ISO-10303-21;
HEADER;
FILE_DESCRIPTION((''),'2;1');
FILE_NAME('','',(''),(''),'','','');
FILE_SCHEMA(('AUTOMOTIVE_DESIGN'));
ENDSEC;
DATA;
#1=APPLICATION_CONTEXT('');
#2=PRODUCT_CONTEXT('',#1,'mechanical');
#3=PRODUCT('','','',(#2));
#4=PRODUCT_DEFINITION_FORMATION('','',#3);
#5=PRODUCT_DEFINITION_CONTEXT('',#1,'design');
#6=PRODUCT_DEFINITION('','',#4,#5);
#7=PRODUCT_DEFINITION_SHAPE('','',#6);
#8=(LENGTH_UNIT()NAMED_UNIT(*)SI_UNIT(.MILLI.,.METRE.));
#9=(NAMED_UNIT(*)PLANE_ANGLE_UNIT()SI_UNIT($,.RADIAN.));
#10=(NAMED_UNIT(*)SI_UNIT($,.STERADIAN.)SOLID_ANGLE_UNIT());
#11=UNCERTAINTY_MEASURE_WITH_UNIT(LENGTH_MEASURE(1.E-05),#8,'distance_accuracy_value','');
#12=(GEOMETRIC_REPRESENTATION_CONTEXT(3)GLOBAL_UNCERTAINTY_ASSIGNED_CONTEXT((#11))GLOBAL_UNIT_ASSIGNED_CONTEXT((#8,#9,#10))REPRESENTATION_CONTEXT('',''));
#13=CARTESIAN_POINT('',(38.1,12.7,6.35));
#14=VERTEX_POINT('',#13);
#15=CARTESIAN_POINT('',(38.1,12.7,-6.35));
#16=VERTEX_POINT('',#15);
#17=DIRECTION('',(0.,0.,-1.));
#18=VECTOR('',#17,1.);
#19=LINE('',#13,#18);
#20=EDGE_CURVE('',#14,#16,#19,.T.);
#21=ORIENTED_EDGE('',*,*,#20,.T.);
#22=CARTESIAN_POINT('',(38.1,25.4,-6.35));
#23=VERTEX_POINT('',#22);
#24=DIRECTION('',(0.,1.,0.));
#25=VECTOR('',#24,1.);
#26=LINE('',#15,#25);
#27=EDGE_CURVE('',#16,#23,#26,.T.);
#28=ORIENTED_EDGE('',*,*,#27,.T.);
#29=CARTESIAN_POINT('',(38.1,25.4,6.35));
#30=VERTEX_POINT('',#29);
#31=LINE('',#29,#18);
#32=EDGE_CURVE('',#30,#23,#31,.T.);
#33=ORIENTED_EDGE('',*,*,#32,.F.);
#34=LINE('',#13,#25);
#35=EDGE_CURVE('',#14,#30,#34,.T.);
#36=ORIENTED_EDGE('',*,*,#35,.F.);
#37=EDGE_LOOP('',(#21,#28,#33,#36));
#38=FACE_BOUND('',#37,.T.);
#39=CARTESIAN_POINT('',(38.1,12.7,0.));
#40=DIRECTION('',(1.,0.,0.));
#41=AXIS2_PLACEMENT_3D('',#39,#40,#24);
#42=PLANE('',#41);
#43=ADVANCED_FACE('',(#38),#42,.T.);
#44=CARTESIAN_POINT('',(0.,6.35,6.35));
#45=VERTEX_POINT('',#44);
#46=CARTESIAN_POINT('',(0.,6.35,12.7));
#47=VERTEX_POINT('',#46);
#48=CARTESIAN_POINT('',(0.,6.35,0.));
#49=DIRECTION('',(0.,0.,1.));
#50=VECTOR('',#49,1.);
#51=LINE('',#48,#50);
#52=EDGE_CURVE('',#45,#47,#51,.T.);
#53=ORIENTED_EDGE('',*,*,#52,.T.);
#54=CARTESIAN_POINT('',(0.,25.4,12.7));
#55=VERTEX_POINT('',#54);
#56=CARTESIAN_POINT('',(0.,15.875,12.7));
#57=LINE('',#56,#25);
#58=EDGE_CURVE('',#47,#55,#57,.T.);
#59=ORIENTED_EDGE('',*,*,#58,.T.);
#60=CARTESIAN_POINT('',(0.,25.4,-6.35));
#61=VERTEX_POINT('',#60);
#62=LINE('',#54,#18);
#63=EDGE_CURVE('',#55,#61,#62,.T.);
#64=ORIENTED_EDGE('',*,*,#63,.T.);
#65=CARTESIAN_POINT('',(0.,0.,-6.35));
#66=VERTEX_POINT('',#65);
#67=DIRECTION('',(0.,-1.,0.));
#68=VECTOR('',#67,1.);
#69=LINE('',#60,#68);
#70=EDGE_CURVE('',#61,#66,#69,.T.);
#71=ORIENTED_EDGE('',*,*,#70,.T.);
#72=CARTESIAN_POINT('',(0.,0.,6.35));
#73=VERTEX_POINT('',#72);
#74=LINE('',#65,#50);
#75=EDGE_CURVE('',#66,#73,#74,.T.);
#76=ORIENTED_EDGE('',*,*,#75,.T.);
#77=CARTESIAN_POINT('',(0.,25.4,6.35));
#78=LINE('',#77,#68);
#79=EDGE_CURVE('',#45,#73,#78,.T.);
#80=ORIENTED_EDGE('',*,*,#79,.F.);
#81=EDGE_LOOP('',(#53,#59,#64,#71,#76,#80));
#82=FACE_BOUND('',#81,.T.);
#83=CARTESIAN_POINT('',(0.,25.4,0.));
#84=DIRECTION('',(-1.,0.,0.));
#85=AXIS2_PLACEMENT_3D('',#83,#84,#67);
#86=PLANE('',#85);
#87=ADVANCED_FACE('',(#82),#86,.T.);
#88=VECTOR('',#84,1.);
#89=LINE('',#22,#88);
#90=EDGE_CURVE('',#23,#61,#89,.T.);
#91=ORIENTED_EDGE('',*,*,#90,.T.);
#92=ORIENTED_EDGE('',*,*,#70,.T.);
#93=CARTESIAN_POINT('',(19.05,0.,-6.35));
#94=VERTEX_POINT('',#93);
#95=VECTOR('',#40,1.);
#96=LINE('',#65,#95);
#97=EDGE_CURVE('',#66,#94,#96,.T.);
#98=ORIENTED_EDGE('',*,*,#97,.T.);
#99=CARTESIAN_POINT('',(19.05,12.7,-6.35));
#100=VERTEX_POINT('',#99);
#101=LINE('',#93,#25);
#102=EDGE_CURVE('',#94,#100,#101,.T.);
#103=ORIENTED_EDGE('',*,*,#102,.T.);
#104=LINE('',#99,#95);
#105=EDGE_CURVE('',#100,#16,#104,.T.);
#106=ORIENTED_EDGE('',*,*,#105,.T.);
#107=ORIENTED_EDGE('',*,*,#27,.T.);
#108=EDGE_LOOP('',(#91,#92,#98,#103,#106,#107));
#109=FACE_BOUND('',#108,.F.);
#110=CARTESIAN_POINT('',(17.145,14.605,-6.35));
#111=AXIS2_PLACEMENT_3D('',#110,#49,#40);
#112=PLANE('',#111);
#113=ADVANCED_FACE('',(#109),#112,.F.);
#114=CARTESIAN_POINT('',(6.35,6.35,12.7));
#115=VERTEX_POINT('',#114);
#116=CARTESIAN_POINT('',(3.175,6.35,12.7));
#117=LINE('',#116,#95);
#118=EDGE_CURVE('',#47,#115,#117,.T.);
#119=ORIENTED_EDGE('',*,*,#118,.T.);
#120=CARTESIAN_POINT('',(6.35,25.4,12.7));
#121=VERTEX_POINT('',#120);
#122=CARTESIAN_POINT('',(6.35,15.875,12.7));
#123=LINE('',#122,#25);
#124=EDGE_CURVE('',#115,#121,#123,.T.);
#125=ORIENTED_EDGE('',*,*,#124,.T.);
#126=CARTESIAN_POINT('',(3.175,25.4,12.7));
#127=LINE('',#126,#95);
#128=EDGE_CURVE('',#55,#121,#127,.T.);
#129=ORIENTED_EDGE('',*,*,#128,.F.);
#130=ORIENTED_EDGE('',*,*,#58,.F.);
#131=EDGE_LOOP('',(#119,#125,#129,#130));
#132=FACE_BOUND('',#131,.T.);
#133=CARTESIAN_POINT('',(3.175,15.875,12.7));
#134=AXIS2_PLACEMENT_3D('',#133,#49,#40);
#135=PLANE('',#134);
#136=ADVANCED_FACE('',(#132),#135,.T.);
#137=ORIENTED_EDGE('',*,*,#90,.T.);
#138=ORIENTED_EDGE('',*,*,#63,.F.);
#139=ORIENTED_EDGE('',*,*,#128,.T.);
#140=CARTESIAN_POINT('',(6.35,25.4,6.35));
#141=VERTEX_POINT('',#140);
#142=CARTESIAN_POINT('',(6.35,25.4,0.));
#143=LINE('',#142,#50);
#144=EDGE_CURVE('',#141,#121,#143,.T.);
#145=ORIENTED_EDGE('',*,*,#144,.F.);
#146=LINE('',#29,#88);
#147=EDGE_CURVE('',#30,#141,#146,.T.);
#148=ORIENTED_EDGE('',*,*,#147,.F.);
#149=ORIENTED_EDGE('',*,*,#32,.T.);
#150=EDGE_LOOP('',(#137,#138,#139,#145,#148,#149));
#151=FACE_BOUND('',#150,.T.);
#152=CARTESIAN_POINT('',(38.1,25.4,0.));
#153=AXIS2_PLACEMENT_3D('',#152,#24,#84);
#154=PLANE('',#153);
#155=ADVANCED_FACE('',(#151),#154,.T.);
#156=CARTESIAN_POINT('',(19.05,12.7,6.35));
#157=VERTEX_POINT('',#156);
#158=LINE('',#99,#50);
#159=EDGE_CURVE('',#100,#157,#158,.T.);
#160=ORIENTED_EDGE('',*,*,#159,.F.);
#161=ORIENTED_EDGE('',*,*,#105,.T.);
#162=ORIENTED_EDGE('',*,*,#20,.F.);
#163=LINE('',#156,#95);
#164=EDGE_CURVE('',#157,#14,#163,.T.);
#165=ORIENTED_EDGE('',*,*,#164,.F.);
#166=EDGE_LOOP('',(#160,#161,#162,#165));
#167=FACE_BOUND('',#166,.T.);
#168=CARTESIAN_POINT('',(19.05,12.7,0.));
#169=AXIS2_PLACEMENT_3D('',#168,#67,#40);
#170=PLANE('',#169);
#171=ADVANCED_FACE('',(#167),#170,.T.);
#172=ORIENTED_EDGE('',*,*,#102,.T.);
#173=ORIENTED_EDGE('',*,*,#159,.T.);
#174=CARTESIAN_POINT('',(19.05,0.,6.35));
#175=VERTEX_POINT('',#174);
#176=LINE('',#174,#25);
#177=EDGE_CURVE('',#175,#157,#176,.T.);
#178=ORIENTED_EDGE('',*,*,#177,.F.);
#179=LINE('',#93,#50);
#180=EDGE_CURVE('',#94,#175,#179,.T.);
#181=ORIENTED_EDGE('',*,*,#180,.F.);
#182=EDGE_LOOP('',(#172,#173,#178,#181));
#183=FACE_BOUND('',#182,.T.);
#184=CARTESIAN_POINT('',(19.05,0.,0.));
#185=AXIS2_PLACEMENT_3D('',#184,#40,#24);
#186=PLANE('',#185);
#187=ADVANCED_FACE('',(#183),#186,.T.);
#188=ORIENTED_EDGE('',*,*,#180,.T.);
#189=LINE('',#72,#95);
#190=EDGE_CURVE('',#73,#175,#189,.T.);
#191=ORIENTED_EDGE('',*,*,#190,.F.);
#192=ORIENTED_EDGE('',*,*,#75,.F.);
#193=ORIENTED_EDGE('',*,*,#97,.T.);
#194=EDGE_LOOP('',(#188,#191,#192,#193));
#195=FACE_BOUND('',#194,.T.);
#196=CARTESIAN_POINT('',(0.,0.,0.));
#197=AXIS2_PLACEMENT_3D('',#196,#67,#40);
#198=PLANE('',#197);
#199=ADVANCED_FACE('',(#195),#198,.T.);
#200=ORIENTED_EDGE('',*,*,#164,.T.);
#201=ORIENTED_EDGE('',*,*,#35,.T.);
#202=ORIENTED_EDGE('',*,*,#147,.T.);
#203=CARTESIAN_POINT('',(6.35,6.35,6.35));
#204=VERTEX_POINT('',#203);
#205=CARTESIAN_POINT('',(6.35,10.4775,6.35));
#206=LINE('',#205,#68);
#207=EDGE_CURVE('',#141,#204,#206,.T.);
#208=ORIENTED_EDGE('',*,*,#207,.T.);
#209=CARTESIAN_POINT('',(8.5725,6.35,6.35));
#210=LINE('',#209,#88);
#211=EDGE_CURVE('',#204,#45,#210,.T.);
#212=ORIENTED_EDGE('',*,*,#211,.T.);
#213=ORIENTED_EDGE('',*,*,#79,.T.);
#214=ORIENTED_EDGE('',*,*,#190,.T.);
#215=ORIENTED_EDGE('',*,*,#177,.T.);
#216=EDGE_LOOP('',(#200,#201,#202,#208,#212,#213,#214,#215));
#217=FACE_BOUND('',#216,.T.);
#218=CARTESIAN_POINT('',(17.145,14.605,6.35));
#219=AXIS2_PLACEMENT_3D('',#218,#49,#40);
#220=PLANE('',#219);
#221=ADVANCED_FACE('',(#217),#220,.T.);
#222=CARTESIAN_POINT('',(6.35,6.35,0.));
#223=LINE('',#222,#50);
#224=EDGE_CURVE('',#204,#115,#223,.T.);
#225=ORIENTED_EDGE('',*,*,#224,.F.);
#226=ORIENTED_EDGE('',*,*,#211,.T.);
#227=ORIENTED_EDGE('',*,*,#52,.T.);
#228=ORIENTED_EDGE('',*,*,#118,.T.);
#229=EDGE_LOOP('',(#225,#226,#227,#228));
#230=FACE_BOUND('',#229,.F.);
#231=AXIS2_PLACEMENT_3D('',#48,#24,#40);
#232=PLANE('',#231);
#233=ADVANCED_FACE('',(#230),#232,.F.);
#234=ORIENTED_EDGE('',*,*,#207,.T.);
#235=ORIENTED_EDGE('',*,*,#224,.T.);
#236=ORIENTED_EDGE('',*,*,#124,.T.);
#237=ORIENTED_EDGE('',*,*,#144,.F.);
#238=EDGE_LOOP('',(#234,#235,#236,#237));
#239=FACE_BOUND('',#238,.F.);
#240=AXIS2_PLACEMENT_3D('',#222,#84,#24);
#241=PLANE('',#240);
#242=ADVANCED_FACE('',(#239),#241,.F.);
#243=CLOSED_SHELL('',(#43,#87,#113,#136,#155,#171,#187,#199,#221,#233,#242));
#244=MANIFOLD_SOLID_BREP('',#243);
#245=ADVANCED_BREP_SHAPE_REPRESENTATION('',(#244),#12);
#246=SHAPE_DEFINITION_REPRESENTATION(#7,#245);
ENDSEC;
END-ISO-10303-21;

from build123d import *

# Parameters (mm, degrees)
F1_DEPTH = 6.35
F2_W     = 6.35
F2_H     = 19.05
F3_DEPTH = 12.7


with BuildPart() as f1:
    # F0 (on Top) → F1 (new body, symmetric)
    with BuildSketch(Plane.XY):
        Polygon((0, 25.4), (0, 0), (19.05, 0), (19.05, 12.7), (38.1, 12.7), (38.1, 25.4), align=None)
    extrude(amount=F1_DEPTH, both=True)

    # F2 (on Top) → F3 (join)
    with BuildSketch(Plane.XY):
        with Locations((3.175, 15.875)):
            Rectangle(F2_W, F2_H)
    extrude(amount=F3_DEPTH)


solid = f1.part
